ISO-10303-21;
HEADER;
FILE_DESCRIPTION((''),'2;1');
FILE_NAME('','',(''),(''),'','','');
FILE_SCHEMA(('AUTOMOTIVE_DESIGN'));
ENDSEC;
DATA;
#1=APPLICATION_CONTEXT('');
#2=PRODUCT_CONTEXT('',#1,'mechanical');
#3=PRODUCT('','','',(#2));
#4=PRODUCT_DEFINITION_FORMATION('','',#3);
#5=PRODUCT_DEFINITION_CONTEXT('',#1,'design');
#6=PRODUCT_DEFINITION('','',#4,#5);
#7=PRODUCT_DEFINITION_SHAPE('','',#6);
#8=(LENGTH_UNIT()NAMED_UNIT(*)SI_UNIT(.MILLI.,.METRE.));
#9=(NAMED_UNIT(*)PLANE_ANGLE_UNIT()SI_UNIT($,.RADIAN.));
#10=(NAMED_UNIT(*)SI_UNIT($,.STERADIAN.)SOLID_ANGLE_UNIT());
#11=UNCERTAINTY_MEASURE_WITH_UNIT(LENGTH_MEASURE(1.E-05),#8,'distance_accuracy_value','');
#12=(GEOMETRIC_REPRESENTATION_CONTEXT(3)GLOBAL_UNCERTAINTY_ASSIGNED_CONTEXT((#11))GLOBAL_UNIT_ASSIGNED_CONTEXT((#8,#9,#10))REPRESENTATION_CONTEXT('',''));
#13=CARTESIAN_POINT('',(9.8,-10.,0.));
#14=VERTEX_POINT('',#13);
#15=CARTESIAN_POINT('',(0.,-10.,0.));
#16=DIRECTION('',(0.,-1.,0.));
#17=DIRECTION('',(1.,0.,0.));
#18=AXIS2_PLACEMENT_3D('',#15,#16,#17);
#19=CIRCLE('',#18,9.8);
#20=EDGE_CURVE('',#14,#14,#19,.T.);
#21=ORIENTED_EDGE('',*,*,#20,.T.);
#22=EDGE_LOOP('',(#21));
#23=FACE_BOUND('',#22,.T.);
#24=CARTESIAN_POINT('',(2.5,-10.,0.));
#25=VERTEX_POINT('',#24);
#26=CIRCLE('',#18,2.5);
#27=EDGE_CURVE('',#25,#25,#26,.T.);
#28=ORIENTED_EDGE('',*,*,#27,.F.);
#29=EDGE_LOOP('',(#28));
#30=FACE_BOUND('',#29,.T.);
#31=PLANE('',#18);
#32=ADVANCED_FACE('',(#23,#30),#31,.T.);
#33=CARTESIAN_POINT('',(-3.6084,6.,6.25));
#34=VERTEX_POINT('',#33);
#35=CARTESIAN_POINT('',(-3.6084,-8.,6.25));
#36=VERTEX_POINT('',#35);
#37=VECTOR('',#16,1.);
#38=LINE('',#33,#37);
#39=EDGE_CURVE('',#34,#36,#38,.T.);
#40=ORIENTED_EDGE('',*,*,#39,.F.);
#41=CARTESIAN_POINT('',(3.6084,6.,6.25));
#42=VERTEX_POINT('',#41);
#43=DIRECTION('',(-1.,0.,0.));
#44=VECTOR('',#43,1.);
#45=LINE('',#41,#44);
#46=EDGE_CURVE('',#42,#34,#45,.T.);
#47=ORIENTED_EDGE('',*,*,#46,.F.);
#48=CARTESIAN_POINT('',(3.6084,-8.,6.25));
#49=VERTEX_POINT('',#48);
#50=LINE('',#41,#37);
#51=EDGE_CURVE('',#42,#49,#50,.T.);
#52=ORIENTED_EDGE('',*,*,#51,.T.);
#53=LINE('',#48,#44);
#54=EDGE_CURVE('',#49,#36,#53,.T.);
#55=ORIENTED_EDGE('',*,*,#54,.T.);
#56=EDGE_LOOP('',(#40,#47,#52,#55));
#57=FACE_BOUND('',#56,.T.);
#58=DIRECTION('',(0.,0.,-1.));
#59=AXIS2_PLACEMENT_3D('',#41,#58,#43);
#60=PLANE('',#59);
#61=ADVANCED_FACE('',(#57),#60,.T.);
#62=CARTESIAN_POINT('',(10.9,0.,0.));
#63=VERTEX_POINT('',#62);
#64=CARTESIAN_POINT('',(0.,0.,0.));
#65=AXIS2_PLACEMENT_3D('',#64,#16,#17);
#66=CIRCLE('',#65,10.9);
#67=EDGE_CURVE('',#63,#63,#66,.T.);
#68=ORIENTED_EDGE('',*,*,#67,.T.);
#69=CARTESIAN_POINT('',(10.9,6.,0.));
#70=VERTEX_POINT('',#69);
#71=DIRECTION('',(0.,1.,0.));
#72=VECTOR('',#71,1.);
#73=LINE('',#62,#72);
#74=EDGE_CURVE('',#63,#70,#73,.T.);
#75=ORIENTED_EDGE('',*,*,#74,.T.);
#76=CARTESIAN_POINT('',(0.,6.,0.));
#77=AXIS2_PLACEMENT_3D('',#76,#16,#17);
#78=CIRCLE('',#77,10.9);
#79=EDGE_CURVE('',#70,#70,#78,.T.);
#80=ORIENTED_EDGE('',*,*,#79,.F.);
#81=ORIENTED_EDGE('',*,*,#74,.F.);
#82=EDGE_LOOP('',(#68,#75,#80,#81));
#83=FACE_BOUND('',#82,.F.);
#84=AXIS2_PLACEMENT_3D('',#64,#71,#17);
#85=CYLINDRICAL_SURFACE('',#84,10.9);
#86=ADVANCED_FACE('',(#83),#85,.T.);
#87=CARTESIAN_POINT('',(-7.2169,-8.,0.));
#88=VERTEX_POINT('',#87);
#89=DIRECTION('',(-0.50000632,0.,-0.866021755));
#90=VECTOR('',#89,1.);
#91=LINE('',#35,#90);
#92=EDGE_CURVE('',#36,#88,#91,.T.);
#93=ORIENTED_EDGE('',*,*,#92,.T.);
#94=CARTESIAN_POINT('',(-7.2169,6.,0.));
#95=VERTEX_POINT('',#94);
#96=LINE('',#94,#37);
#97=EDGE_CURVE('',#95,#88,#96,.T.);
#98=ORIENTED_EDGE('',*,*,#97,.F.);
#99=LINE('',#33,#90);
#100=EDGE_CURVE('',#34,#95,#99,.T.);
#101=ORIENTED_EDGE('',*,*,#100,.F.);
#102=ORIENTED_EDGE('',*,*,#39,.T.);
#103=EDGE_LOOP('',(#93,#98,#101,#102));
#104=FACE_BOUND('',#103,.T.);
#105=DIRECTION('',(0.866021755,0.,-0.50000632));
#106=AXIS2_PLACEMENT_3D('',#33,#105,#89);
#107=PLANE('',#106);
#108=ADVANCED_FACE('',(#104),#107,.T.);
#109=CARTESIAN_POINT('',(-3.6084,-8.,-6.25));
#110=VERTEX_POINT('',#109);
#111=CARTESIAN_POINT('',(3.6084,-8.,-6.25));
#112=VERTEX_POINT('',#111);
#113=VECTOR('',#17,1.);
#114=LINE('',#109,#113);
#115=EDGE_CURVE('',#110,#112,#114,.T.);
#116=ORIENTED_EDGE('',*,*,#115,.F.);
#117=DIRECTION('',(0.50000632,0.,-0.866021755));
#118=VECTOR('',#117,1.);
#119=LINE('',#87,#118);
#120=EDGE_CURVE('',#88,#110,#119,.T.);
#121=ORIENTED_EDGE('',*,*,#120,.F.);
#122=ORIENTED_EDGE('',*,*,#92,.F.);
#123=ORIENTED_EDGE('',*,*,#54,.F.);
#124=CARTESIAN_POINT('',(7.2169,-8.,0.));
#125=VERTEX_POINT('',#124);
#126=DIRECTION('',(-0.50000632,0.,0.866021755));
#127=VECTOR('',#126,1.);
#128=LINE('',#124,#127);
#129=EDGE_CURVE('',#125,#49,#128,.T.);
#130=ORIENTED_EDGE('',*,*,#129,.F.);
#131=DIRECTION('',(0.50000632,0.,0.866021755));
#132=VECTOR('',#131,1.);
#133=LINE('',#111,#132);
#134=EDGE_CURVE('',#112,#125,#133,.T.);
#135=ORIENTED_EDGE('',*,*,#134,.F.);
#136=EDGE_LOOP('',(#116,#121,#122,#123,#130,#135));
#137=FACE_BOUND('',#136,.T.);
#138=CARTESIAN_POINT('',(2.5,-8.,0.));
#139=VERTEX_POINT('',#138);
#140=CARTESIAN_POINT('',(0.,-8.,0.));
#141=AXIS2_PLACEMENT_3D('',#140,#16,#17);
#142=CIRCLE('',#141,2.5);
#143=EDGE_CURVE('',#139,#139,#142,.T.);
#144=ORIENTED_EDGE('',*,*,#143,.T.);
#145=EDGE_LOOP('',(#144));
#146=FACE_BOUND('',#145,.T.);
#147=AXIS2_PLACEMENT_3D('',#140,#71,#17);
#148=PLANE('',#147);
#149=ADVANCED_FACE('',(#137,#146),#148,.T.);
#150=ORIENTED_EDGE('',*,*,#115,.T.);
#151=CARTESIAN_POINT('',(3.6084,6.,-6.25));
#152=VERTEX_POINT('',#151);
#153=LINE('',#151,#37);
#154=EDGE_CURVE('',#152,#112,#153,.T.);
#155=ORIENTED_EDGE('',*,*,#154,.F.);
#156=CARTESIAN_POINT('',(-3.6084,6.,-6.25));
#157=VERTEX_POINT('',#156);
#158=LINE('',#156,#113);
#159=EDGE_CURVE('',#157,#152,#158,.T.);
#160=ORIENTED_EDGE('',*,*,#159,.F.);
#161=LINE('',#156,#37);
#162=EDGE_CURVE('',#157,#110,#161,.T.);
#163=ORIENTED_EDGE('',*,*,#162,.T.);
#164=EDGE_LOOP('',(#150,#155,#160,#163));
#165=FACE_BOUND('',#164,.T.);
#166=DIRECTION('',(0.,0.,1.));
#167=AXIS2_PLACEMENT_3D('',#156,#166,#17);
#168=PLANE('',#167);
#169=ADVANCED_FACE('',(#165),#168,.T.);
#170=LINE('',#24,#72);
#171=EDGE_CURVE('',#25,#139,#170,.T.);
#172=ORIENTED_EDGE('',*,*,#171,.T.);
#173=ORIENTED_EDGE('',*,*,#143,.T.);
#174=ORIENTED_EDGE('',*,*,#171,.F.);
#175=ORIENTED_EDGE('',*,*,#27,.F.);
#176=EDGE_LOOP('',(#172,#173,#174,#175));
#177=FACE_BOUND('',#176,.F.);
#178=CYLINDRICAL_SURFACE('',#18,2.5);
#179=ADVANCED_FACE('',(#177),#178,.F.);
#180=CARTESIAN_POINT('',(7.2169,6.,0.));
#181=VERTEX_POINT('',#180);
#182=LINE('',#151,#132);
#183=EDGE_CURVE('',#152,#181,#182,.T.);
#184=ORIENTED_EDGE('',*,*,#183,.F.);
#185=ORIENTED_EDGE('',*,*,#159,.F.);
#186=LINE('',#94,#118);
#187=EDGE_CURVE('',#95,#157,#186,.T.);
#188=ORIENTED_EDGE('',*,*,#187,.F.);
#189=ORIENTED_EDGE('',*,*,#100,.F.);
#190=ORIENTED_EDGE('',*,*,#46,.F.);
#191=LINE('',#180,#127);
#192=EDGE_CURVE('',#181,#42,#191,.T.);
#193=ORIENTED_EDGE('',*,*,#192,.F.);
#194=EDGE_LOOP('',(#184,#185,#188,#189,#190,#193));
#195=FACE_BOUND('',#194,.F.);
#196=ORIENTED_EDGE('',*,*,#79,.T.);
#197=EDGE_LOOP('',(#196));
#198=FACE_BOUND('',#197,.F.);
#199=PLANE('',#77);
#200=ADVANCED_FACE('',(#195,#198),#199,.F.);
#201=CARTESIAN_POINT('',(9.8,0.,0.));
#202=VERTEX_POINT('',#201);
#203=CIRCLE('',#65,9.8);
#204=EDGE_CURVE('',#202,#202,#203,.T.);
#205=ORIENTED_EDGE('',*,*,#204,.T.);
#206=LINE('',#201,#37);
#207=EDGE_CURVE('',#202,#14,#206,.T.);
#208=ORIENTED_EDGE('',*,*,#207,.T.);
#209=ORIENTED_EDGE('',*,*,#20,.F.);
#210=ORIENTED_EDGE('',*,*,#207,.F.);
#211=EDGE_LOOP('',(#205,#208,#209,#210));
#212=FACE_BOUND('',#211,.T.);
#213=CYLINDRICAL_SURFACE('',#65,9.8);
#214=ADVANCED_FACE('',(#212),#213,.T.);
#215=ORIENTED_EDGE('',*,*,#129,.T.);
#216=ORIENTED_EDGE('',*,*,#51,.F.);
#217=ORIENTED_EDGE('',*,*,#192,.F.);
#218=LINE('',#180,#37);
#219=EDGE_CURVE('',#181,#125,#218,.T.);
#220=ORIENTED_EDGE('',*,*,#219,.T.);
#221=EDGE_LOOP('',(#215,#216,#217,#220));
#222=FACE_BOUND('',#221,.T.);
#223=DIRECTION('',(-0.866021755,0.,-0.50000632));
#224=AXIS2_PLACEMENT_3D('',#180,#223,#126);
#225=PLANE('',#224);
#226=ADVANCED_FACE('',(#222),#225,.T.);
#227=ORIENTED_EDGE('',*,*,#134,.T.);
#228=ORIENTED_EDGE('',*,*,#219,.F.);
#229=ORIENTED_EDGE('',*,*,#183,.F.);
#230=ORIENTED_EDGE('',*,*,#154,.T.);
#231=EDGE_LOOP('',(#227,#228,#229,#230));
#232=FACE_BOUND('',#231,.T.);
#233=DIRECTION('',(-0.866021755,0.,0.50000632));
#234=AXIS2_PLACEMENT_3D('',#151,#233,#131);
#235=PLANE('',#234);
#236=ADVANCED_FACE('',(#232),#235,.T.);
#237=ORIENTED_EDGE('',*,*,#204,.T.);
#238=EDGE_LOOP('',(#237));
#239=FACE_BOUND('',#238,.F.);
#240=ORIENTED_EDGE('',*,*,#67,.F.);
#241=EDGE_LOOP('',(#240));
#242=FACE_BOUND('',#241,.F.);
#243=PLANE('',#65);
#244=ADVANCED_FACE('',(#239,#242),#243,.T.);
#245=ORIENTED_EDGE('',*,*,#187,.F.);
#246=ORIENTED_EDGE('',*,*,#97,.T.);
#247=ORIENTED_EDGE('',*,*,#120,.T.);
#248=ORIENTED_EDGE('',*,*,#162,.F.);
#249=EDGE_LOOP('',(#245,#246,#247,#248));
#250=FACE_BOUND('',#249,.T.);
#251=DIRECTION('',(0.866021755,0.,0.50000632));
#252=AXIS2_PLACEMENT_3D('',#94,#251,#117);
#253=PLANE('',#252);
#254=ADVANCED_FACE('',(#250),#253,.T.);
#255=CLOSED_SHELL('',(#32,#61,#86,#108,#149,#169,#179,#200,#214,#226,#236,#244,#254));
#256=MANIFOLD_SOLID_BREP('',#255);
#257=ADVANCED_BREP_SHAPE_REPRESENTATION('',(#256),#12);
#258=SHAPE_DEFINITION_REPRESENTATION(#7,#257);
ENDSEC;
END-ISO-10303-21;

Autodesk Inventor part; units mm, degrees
ref_plane "YZ Plane" through (0, 0, 0) normal (1, 0, 0) x (0, 1, 0)
ref_plane "XZ Plane" through (0, 0, 0) normal (0, 1, 0) x (-1, 0, 0)
ref_plane "XY Plane" through (0, 0, 0) normal (0, 0, 1) x (1, 0, 0)
sketch "Sketch2" plane through (0, 0, 0) normal (0, 0, 1) x (1, 0, 0)
  line L0 (0, 0) -> (10.9, 0)
  line L1 (10.9, 0) -> (10.9, 6)
  line L2 (10.9, 6) -> (0, 6)
  line L3 (0, 6) -> (0, 0)
  line L4 (0, 0) -> (9.8, 0)
  line L5 (9.8, 0) -> (9.8, -10)
  line L6 (9.8, -10) -> (0, -10)
  line L7 (0, -10) -> (0, 0)
  dimension "d1" = 10.9
  dimension "d2" = 6
  dimension "d3" = 9.8
  dimension "d4" = 10
revolve "Revolution1" add sketch "Sketch2" angle 360 about axis through (0, 6, 0) along (0, -1, 0)
sketch "Sketch5" plane through (0, 6, 0) normal (0, 1, 0) x (1, 0, 0)
  line L0 (3.6084, 6.25) -> (7.2169, 0)
  line L1 (7.2169, 0) -> (3.6084, -6.25)
  line L2 (3.6084, -6.25) -> (-3.6084, -6.25)
  line L3 (-3.6084, -6.25) -> (-7.2169, 0)
  line L4 (-7.2169, 0) -> (-3.6084, 6.25)
  line L5 (-3.6084, 6.25) -> (3.6084, 6.25)
  point P0 (0, 0)
  point P1 (0, 0)
  dimension "d16" = 12.5
extrude "Extrusion2" cut sketch "Sketch5" against normal blind 14
sketch "Sketch6" plane through (0, -10, 0) normal (0, -1, 0) x (1, 0, 0)
  circle A0 centre (0, 0) radius 2.5
  point P0 (0, 0)
  dimension "d19" = 5
extrude "Extrusion3" cut sketch "Sketch6" against normal through all
properties part number "WHEEL_ADAPTER"
